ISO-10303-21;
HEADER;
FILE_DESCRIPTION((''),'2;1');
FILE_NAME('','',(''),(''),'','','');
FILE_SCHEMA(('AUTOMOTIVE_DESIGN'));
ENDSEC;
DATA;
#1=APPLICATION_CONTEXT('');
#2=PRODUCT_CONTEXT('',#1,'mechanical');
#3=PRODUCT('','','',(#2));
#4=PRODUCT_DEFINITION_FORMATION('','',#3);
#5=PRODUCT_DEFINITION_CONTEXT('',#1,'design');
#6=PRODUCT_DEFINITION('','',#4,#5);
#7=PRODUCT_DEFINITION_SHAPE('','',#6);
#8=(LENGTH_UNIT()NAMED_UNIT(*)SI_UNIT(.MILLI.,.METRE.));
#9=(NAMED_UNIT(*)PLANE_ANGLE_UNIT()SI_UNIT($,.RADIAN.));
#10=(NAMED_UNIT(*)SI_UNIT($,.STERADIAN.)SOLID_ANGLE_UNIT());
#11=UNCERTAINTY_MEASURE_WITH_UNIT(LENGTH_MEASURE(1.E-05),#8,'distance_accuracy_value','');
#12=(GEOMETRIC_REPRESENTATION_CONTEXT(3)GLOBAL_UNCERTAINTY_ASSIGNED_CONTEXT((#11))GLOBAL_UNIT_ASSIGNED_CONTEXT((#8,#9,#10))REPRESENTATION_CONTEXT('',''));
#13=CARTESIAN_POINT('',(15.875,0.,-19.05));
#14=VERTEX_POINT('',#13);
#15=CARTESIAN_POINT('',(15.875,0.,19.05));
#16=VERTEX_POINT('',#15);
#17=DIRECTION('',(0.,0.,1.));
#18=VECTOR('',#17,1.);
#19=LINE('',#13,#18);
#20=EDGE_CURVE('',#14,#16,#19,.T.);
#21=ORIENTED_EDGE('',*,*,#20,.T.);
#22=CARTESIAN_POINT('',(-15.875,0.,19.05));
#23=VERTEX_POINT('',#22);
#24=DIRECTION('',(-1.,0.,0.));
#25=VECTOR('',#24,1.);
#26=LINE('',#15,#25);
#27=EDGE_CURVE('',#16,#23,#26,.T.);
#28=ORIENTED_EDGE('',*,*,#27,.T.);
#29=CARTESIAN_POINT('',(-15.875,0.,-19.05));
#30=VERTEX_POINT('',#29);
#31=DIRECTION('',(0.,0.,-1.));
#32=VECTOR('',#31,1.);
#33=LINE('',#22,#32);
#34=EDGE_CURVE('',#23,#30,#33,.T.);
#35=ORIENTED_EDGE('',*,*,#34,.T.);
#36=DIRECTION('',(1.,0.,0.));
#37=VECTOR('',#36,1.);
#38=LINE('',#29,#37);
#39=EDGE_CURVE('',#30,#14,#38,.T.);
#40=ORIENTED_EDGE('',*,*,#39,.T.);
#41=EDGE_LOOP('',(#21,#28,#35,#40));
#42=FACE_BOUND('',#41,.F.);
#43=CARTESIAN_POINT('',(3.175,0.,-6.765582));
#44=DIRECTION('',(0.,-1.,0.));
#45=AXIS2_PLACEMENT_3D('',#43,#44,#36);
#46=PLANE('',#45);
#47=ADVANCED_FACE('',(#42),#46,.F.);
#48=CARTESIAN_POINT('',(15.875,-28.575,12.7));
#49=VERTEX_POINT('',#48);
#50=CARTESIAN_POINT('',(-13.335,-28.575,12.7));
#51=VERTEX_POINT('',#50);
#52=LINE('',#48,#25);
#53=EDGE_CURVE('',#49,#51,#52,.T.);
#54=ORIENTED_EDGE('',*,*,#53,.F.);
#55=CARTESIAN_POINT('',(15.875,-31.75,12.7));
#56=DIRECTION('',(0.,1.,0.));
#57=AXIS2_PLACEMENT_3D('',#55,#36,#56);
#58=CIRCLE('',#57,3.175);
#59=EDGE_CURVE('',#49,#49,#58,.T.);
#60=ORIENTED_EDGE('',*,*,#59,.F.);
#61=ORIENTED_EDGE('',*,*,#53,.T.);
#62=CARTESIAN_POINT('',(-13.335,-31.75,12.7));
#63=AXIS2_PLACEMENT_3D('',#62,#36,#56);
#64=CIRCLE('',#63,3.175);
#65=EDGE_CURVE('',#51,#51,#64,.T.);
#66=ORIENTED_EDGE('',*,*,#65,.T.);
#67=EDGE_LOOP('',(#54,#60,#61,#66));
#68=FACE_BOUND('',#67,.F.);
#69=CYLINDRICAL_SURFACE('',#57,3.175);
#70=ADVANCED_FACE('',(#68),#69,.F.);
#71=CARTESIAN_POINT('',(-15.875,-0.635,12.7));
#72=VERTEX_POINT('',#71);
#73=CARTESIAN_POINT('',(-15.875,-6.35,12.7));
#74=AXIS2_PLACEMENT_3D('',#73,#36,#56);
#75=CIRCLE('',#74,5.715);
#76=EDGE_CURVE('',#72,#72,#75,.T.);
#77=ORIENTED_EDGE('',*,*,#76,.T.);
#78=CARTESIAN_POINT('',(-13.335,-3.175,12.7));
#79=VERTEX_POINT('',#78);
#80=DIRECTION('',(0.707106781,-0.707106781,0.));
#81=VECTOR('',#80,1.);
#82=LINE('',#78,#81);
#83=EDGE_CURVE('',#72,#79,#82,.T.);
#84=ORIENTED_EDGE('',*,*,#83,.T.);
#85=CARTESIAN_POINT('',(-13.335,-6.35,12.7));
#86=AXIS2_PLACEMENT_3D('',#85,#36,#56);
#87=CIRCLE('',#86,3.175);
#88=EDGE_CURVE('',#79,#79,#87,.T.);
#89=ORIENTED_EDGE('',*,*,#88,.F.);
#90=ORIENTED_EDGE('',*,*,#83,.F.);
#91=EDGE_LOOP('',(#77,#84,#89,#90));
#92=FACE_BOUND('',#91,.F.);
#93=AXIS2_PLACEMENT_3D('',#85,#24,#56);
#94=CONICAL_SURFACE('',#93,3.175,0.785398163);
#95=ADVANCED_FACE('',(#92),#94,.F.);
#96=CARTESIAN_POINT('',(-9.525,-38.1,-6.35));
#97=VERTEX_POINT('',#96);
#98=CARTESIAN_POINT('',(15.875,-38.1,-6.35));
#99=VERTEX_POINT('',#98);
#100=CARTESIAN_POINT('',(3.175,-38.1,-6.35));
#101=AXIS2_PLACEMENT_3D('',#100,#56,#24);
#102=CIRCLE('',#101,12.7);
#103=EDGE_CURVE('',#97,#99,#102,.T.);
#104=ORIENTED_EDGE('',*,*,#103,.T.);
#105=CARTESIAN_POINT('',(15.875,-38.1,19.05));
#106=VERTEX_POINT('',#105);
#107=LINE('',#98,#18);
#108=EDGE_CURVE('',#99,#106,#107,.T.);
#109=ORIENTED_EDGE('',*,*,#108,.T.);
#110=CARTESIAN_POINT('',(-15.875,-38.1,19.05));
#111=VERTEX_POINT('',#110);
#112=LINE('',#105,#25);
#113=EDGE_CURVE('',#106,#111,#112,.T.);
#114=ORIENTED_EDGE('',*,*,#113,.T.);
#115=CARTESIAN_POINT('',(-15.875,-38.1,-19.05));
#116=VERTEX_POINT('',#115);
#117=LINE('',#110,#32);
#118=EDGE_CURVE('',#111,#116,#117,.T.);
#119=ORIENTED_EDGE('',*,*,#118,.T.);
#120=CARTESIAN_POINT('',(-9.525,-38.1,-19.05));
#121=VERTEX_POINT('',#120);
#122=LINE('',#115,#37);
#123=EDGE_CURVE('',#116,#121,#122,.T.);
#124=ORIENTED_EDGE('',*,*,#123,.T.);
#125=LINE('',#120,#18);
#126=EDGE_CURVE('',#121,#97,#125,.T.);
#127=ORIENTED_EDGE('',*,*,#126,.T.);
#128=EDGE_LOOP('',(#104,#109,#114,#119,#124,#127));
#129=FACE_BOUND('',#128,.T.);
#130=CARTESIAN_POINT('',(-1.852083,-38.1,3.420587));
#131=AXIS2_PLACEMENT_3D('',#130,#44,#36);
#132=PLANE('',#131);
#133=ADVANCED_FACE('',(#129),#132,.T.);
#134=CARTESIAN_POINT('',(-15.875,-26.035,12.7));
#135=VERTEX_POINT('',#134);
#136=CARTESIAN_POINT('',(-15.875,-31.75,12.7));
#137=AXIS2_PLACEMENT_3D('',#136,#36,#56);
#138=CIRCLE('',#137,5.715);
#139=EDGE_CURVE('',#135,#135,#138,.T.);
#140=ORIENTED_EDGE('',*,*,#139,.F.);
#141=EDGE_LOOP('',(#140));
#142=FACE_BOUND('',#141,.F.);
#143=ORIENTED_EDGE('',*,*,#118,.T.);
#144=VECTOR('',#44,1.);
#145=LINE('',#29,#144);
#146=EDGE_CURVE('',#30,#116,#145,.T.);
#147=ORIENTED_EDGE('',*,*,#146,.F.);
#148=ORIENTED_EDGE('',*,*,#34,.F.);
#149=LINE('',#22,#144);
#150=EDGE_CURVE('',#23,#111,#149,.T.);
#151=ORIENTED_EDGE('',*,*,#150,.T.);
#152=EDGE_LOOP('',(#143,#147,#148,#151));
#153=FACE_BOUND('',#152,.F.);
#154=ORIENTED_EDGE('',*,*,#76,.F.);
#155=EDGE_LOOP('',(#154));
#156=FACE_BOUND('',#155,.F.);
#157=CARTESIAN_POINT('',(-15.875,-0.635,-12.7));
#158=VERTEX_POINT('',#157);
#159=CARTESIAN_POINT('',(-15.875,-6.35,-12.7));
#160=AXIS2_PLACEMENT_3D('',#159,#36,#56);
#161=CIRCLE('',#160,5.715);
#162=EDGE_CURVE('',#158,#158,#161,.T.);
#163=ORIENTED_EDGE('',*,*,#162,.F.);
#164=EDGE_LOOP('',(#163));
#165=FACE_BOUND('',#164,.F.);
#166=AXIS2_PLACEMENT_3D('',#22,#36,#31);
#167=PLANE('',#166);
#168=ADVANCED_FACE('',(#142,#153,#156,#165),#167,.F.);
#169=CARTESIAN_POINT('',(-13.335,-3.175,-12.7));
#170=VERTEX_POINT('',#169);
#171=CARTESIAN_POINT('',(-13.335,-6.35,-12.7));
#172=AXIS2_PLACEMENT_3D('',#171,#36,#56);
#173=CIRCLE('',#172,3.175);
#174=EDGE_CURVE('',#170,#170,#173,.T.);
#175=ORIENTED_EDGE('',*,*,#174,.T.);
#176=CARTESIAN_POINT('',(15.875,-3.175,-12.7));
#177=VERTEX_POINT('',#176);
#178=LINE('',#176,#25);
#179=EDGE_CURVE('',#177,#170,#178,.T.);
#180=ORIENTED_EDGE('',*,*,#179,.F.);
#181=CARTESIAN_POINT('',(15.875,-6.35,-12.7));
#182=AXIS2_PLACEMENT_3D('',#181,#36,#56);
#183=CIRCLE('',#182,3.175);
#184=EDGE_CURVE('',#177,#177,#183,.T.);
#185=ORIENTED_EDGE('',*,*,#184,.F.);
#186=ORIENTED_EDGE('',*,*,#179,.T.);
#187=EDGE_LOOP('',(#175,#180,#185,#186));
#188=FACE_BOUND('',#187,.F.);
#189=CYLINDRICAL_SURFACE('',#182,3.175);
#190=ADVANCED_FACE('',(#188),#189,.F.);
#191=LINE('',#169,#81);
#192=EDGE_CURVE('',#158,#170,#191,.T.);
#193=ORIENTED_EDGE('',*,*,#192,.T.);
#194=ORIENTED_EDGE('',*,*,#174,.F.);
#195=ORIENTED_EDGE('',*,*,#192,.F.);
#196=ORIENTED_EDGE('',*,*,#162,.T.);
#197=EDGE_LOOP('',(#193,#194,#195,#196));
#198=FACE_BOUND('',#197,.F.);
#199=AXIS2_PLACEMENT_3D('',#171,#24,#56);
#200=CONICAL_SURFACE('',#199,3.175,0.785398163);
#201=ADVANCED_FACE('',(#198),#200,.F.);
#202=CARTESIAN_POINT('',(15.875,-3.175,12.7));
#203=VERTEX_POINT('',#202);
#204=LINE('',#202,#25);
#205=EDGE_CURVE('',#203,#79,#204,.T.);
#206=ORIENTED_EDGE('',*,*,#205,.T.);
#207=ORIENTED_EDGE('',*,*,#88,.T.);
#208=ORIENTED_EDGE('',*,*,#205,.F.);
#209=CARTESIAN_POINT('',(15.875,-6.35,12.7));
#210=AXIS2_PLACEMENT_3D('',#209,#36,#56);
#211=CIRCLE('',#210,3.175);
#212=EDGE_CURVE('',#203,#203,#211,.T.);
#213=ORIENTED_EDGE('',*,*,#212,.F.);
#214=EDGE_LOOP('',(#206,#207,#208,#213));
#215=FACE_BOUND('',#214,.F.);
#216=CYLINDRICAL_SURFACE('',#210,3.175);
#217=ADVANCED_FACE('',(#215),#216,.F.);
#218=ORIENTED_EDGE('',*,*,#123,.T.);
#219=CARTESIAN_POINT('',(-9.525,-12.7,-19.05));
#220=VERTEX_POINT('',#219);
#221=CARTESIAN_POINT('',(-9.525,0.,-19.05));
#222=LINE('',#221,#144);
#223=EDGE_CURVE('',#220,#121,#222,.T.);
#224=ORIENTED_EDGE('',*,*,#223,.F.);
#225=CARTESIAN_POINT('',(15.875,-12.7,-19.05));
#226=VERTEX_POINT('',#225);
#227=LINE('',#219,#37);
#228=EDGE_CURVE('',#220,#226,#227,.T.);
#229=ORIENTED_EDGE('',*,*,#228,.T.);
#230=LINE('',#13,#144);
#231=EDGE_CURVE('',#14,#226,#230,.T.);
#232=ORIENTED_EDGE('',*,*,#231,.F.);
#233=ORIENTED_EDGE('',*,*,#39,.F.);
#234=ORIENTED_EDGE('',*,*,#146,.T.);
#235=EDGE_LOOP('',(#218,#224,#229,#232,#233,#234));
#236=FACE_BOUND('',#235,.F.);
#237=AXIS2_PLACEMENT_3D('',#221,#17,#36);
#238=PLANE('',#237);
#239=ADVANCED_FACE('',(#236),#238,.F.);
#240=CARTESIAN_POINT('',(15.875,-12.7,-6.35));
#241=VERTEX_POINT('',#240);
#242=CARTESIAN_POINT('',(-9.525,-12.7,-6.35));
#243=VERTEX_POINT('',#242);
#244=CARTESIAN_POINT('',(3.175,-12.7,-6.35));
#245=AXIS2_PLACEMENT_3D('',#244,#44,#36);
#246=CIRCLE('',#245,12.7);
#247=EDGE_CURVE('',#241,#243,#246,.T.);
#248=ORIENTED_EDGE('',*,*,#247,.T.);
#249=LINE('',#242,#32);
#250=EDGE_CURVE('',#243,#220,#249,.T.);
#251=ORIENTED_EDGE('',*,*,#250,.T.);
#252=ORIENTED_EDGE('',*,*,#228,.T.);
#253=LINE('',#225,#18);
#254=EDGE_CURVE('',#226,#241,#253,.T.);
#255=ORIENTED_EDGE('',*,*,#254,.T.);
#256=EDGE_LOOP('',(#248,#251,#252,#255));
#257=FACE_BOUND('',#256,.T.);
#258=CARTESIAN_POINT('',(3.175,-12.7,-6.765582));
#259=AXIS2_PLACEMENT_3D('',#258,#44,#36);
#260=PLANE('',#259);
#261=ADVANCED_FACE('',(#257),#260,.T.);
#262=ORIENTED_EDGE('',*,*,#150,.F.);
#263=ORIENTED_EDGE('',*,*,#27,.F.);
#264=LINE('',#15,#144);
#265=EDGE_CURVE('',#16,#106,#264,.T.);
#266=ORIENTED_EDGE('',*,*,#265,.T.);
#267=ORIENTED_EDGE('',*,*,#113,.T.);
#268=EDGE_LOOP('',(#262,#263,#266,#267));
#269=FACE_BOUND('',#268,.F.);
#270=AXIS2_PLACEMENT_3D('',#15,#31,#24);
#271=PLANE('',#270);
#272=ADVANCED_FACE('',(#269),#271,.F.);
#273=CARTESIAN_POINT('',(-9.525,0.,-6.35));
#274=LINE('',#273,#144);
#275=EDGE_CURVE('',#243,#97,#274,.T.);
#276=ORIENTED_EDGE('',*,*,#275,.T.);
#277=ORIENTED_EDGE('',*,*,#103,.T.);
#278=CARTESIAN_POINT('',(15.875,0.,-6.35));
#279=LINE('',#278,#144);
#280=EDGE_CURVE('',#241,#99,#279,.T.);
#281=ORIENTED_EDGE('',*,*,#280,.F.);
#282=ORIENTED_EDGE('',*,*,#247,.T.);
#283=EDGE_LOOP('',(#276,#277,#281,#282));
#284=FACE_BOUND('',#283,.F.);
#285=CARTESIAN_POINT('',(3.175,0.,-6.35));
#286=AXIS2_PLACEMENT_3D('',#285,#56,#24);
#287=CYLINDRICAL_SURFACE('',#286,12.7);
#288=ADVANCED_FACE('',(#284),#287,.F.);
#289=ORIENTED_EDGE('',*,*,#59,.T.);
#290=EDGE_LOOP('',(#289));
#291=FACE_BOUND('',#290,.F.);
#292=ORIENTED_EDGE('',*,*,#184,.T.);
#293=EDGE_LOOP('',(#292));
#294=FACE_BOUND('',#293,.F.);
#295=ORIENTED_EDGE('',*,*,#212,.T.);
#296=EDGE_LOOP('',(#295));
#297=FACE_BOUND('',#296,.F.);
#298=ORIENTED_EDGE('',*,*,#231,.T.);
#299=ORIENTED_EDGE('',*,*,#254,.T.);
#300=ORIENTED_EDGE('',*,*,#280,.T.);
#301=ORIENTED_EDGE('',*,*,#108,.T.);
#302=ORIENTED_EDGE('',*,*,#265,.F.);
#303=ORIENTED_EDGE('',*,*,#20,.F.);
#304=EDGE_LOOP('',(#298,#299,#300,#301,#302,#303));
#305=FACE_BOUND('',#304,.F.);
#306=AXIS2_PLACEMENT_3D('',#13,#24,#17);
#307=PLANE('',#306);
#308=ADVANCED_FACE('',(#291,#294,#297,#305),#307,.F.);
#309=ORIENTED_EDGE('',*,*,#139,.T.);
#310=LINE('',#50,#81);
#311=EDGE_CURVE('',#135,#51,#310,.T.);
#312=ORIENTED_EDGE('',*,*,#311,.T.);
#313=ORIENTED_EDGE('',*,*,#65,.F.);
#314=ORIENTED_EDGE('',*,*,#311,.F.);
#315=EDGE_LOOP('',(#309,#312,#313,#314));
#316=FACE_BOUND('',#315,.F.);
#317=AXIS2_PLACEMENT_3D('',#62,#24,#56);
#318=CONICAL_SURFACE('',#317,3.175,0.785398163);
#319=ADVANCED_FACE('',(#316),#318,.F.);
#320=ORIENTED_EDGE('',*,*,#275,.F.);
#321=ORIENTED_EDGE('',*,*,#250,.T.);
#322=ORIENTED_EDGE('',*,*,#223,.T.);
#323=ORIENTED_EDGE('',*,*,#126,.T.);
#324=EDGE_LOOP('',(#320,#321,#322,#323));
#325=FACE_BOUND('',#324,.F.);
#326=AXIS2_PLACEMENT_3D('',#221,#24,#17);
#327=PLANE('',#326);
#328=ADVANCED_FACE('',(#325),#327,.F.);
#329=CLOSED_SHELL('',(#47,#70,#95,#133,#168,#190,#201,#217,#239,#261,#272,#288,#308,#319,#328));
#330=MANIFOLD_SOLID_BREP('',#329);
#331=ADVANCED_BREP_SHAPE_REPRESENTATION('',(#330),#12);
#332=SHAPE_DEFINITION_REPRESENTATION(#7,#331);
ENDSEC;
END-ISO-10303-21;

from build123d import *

# Parameters (mm, degrees)
F1_DEPTH = 38.1
F2_DEPTH = 12.7
F3_R     = 3.175
F4_DEPTH = 31.751
F5_SIZE  = 2.54


with BuildPart() as f1:
    # F0 (on Front) → F1 (new body)
    with BuildSketch(Plane.XZ):
        with BuildLine():
            Line((15.875, -6.35), (15.875, 19.05))
            Line((15.875, 19.05), (-15.875, 19.05))
            Line((-15.875, 19.05), (-15.875, -19.05))
            Line((-15.875, -19.05), (-9.525, -19.05))
            Line((-9.525, -19.05), (-9.525, -6.35))
            ThreePointArc((-9.525, -6.35), (3.175, 6.35), (15.875, -6.35))
        make_face()
    extrude(amount=F1_DEPTH)

    # F0 (on Front) → F2 (join)
    with BuildSketch(Plane.XZ):
        with BuildLine():
            ThreePointArc((3.1749999328, -19.05), (12.1552560973, -15.3302561448), (15.875, -6.35))
            ThreePointArc((15.875, -6.35), (3.175, 6.35), (-9.525, -6.35))
            ThreePointArc((-9.525, -6.35), (-5.8052561448, -15.3302560973), (3.1749999328, -19.05))
        make_face()
        with BuildLine():
            Line((15.875, -19.05), (15.875, -6.35))
            ThreePointArc((15.875, -6.35), (12.1552560973, -15.3302561448), (3.1749999328, -19.05))
            Line((3.1749999328, -19.05), (15.875, -19.05))
        make_face()
        with BuildLine():
            ThreePointArc((3.1749999328, -19.05), (-5.8052561448, -15.3302560973), (-9.525, -6.35))
            Line((-9.525, -6.35), (-9.525, -19.05))
            Line((-9.525, -19.05), (3.1749999328, -19.05))
        make_face()
    extrude(amount=F2_DEPTH)

    # F3 (on face) → F4 (cut, through all)
    with BuildSketch(Plane.YZ.offset(15.875)):
        with Locations((-31.75, 12.7)):
            Circle(F3_R)
        with Locations((-6.35, 12.7)):
            Circle(F3_R)
        with Locations((-6.35, -12.7)):
            Circle(F3_R)
    extrude(amount=-F4_DEPTH, mode=Mode.SUBTRACT)

    # F5
    f5_edges = [f1.edges().sort_by_distance(p)[0] for p in [
        (-15.875, -9.525, -12.7),
        (-15.875, -9.525, 12.7),
        (-15.875, -34.925, 12.7),
    ]]
    chamfer(f5_edges, length=F5_SIZE)


solid = f1.part
